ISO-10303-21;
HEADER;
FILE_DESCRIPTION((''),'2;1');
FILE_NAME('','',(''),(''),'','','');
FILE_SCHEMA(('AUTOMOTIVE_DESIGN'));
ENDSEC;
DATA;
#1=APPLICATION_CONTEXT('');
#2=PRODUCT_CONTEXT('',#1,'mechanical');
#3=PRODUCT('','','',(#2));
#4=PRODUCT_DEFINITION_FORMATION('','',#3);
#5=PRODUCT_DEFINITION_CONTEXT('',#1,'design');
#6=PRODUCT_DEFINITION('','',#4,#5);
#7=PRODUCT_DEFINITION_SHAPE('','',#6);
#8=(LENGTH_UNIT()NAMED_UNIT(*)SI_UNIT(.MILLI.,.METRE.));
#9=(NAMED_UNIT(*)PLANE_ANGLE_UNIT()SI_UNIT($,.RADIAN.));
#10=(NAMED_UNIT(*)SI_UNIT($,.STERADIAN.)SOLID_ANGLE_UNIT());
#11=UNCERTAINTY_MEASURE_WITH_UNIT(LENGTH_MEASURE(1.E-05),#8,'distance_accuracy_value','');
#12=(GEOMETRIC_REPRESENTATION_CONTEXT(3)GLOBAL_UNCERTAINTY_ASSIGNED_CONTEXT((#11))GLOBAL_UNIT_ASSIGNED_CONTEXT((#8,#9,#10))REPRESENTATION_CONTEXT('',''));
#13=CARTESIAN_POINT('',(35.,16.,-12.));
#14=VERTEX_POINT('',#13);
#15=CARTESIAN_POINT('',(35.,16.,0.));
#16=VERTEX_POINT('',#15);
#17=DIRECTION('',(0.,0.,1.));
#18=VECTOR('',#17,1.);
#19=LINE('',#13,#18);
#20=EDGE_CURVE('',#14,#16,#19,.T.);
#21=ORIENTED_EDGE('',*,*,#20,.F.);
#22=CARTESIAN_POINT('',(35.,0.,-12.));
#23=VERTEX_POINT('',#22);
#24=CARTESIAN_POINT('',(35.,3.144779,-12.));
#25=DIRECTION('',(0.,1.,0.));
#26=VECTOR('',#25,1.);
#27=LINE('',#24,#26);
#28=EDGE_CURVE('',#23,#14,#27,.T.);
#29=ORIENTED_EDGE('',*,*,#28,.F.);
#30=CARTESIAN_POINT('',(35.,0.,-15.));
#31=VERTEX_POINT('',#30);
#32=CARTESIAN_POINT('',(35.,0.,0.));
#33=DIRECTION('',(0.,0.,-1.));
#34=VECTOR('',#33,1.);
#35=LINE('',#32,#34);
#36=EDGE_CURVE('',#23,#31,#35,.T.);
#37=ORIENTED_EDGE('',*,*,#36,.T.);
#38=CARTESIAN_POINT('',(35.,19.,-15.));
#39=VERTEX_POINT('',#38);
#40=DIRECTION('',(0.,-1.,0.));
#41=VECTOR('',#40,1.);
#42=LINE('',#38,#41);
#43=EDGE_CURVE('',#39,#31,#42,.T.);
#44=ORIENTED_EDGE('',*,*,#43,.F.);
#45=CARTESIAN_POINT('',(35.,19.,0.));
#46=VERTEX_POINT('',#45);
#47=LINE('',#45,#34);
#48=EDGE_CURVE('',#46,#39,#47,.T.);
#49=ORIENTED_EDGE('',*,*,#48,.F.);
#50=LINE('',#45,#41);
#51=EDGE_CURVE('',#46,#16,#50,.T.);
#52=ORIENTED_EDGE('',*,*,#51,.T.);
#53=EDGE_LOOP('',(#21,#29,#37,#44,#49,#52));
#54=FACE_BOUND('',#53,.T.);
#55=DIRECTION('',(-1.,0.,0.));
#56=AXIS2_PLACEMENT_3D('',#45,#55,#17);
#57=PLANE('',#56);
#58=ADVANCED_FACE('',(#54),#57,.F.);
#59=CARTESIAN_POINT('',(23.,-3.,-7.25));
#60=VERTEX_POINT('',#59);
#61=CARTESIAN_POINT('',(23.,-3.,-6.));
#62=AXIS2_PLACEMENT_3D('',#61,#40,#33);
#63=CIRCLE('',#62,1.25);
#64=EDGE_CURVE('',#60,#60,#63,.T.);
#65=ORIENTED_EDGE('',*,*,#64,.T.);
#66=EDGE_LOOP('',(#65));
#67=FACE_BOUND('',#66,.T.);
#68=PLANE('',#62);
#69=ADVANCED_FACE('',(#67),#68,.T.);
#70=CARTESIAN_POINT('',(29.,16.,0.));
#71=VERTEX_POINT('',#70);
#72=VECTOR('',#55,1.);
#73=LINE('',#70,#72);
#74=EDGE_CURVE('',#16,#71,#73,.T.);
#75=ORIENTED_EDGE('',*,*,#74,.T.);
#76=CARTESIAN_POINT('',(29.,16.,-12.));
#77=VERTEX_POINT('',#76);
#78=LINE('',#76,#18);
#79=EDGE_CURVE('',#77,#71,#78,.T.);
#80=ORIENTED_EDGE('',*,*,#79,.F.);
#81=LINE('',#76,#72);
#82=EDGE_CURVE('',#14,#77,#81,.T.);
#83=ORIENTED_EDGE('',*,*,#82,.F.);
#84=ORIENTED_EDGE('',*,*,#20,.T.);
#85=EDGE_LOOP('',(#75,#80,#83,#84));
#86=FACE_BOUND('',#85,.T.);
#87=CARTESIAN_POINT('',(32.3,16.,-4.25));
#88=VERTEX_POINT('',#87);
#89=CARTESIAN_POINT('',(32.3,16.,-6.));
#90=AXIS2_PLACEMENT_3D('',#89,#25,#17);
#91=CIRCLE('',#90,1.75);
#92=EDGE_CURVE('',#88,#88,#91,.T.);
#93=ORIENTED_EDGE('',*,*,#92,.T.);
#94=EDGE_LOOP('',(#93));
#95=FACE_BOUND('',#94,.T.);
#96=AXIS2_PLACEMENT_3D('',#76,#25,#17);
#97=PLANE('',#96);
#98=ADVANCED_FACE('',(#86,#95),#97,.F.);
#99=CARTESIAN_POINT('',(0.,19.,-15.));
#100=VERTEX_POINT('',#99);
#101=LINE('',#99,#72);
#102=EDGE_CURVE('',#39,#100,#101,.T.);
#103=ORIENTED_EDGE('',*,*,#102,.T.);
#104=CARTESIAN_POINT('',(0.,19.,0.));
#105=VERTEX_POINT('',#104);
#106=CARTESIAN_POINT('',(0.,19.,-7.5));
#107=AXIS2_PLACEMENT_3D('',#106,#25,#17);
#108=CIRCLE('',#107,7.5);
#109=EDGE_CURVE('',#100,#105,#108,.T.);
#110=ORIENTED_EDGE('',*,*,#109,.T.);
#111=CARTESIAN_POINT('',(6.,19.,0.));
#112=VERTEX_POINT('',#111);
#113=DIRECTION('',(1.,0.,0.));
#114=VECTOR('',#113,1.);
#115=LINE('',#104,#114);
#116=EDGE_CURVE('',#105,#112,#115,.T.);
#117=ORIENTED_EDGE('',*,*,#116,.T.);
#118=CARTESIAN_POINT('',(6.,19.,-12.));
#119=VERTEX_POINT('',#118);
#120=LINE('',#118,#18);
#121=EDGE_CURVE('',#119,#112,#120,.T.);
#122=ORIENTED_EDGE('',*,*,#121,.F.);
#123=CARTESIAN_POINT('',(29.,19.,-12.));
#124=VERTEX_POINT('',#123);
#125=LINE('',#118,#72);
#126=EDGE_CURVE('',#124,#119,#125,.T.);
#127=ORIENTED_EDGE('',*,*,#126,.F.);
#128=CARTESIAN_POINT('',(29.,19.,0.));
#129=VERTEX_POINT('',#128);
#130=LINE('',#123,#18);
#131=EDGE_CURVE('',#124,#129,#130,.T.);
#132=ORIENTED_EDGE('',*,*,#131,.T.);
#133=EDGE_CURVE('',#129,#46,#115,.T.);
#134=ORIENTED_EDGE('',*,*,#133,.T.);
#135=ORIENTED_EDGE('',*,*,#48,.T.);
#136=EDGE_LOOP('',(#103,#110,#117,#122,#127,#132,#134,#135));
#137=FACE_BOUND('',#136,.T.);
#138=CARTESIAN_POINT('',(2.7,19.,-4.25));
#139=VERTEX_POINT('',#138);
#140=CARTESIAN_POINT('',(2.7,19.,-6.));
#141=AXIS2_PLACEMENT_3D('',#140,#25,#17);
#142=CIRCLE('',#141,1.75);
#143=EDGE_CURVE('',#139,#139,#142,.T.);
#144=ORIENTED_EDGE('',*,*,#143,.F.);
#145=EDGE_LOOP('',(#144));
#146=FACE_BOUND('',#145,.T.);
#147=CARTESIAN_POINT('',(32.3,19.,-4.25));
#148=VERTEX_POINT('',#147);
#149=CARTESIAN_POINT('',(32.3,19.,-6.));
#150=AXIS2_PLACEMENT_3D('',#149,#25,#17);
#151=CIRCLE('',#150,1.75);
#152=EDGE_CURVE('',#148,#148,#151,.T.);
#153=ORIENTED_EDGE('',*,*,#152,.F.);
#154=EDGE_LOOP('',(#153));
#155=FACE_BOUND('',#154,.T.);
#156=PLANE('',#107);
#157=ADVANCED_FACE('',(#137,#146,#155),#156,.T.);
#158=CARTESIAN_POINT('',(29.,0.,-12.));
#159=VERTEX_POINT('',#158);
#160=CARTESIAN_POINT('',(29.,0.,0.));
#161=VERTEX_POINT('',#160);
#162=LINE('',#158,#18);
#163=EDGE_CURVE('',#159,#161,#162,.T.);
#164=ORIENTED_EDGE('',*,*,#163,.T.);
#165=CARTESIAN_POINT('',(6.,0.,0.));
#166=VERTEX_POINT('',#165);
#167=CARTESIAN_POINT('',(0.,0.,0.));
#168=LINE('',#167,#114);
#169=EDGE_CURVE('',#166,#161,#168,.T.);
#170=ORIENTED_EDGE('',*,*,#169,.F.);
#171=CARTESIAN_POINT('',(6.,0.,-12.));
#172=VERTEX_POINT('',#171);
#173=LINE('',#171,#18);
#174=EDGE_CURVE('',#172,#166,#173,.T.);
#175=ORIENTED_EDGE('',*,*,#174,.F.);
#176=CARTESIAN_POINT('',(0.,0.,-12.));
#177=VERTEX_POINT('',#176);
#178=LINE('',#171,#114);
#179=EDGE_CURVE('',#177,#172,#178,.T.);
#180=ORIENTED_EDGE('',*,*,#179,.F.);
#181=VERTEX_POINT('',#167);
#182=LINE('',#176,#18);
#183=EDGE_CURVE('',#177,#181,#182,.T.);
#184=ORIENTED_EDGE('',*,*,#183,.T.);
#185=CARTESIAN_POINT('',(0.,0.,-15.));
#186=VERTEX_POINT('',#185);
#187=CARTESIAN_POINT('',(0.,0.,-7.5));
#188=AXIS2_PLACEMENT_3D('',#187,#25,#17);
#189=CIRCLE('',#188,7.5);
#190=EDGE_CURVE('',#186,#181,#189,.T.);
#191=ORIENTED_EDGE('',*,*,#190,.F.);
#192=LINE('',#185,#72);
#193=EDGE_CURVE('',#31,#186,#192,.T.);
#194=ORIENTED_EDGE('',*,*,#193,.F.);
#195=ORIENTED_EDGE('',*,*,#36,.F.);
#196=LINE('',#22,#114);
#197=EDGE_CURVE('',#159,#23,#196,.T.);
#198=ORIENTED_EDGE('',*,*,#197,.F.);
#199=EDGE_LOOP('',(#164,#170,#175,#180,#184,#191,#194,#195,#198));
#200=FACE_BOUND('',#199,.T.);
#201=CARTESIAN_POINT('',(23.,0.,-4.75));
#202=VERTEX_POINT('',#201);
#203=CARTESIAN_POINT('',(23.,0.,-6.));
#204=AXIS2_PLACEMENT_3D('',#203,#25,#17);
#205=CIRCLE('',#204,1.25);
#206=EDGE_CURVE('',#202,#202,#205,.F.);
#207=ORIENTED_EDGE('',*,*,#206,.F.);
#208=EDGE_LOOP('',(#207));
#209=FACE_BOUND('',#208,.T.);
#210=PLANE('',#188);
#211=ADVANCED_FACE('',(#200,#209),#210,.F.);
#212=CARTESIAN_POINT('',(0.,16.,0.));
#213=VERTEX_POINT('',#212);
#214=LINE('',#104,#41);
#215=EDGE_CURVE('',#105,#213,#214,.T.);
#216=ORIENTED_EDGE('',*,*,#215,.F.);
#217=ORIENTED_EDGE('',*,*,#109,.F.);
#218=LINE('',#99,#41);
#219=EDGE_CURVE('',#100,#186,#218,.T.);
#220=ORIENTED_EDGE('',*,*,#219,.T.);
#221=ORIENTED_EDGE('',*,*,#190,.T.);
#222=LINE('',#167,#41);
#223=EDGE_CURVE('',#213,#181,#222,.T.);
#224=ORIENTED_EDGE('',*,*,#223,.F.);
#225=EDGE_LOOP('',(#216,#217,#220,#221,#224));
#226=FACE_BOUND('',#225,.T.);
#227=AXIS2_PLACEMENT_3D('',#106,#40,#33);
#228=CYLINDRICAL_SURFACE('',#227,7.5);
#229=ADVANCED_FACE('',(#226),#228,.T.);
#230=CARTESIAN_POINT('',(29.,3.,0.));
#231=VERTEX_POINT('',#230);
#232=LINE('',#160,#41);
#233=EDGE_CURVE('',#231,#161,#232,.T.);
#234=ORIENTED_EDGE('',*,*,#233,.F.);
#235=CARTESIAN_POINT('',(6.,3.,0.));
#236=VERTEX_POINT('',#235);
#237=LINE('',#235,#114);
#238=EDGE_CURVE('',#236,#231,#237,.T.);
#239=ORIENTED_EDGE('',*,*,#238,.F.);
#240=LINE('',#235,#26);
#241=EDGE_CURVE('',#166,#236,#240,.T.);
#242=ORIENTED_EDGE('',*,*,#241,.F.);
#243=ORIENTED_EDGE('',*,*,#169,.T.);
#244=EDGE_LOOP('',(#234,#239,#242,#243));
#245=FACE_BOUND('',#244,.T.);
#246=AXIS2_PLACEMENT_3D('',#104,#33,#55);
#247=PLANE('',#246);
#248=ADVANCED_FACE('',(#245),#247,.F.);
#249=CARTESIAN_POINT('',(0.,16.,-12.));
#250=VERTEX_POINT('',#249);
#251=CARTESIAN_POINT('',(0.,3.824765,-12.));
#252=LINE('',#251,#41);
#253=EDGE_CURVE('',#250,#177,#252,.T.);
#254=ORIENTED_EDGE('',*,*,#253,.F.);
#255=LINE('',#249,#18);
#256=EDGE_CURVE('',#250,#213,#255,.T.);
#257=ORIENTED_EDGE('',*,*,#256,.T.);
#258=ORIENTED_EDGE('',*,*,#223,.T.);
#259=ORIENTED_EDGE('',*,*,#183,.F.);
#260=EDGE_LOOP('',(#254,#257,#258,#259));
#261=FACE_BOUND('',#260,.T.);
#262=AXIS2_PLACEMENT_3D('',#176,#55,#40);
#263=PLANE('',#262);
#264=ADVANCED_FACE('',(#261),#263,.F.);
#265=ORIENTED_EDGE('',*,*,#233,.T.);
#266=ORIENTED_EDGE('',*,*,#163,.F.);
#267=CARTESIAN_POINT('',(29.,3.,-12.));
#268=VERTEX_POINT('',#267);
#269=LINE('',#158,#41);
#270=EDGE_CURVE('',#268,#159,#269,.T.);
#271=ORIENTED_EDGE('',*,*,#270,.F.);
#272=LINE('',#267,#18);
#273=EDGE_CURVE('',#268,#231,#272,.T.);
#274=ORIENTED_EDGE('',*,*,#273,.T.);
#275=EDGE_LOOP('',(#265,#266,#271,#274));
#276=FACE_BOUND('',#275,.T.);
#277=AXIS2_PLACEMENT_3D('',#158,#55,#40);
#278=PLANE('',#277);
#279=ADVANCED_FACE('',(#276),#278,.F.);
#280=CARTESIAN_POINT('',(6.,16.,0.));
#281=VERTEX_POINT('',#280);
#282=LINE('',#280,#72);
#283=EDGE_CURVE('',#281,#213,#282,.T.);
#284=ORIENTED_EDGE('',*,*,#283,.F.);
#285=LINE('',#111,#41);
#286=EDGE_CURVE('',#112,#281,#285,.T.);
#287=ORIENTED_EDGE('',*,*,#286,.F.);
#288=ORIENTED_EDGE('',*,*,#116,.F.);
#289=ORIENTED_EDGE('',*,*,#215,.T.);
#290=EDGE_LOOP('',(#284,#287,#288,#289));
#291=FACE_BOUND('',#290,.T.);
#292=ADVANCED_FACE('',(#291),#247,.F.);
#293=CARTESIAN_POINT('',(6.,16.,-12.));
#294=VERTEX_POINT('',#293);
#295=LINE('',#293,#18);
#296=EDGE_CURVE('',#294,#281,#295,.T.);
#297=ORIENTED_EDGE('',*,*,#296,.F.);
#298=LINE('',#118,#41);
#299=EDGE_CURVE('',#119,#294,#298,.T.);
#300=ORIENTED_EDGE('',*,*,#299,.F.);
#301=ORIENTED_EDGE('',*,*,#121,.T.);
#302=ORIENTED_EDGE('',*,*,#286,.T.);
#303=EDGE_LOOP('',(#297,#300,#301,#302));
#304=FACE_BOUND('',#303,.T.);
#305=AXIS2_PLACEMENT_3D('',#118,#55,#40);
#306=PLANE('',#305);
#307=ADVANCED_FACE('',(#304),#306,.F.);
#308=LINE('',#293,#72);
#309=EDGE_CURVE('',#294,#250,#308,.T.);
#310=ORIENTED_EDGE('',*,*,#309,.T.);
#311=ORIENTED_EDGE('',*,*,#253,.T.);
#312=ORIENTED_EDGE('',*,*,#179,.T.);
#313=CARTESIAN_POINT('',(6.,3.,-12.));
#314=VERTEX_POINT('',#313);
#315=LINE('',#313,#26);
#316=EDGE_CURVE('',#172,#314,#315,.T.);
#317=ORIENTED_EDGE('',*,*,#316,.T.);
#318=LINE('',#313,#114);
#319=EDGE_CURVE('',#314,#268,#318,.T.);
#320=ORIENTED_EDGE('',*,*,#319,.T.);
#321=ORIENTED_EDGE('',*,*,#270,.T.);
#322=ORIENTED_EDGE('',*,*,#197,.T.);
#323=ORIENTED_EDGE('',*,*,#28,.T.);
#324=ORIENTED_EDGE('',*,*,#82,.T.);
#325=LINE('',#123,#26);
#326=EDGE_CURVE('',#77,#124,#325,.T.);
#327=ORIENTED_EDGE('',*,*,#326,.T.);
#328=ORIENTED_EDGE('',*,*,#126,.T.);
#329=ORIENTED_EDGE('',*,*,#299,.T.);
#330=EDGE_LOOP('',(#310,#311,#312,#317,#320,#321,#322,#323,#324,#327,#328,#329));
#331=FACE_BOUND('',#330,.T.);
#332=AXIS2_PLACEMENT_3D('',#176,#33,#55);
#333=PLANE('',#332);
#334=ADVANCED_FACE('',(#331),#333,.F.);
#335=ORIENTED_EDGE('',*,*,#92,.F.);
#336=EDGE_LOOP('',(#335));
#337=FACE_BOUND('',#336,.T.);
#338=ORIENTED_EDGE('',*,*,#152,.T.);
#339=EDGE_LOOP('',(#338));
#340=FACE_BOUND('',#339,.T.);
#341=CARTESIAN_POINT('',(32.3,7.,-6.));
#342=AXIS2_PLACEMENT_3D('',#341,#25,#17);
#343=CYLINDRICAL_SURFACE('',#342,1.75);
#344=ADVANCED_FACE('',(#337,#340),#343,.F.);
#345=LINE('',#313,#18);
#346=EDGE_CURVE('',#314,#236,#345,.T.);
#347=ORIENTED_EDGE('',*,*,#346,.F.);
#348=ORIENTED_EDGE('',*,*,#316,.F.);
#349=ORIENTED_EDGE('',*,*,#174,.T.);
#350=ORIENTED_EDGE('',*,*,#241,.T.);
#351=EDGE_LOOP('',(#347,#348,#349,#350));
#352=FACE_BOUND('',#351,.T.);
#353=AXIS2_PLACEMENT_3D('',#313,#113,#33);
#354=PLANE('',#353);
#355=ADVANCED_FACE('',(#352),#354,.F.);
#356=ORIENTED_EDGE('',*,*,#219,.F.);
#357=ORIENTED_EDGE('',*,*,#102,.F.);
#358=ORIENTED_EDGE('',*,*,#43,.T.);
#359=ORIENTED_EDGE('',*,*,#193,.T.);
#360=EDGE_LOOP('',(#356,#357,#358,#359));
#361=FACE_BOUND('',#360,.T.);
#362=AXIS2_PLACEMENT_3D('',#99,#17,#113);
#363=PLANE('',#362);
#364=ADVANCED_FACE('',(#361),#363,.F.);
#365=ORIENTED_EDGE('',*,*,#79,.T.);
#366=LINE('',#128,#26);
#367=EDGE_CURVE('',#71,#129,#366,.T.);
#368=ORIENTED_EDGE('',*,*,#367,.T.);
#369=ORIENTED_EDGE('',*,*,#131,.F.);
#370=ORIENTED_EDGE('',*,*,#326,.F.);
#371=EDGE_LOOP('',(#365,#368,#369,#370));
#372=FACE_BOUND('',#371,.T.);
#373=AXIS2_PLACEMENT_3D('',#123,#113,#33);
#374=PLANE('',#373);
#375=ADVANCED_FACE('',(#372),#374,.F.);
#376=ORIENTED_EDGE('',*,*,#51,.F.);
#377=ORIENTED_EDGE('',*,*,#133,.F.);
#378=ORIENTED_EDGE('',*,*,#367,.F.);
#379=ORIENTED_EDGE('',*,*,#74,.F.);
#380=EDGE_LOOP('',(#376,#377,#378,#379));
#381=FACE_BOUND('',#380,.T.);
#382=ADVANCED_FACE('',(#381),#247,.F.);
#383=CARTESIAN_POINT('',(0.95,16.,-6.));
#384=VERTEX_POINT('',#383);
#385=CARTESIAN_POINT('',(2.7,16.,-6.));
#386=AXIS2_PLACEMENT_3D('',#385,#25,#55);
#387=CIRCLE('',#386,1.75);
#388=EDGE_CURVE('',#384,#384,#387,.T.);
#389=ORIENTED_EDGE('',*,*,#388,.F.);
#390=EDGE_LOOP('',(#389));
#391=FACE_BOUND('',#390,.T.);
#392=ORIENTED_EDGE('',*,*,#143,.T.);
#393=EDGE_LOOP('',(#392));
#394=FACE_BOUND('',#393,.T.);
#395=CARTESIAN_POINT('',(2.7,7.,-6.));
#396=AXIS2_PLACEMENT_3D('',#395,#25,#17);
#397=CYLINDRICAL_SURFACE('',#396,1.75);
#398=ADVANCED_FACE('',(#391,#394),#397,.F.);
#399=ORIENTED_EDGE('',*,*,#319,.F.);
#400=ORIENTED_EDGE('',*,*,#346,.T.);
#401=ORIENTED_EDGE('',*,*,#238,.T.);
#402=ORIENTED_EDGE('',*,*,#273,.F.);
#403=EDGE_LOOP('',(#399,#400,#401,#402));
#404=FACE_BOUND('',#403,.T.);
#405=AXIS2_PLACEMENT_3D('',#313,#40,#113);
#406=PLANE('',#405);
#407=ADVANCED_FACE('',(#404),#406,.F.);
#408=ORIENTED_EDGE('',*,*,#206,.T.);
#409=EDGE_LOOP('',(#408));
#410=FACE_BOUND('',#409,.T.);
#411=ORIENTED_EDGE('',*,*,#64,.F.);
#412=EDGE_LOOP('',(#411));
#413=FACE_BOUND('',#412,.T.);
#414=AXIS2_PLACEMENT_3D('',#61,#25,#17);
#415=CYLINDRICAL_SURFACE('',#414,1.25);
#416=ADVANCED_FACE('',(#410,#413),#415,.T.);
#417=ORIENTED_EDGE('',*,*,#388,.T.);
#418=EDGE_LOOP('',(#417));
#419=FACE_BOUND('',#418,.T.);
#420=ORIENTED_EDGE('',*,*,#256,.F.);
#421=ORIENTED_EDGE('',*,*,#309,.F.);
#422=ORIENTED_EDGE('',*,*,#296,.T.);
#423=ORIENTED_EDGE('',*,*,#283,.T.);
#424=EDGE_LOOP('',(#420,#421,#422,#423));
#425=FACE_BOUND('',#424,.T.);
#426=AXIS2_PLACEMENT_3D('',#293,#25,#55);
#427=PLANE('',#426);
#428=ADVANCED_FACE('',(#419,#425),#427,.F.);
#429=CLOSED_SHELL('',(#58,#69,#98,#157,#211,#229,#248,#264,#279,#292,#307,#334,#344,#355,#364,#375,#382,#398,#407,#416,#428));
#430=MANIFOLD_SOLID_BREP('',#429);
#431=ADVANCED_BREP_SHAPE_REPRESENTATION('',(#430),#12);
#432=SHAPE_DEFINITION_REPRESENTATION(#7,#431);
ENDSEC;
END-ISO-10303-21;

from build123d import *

# Parameters (mm, degrees)
BOSS_EXTRU_1_DEPTH      = 19
ENL_V_MAT_EXTRU_2_DEPTH = 12
ESQUISSE4_R             = 1.75
ENL_V_MAT_EXTRU_3_DEPTH = 12
ESQUISSE5_R             = 1.25
BOSS_EXTRU_2_DEPTH      = 3


with BuildPart() as part:
    # Esquisse1 → Boss.-Extru.1 (new body)
    with BuildSketch(Plane(origin=(0, 0, 0), x_dir=(1, 0, 0), z_dir=(0, 1, 0))):
        with BuildLine():
            Line((0, 0), (35, 0))
            Line((35, 0), (35, 15))
            Line((35, 15), (0, 15))
            ThreePointArc((0, 15), (-7.5, 7.5), (0, 0))
        make_face()
    extrude(amount=BOSS_EXTRU_1_DEPTH)

    # Esquisse3 → Enlèv. mat.-Extru.2 (cut)
    with BuildSketch(Plane.XY):
        Polygon((6, 19), (29, 19), (29, 16), (35, 16), (35, 3.144779012), (35, 0), (29, 0), (29, 3), (6, 3), (6, 0), (0, 0), (0, 3.824764885), (0, 16), (6, 16), align=None)
    extrude(amount=-ENL_V_MAT_EXTRU_2_DEPTH, mode=Mode.SUBTRACT)

    # Esquisse4 → Enlèv. mat.-Extru.3 (cut)
    with BuildSketch(Plane(origin=(0, 19, 0), x_dir=(1, 0, 0), z_dir=(0, 1, 0))):
        with Locations((32.3, 6)):
            Circle(ESQUISSE4_R)
        with Locations((2.7, 6)):
            Circle(ESQUISSE4_R)
    extrude(amount=-ENL_V_MAT_EXTRU_3_DEPTH, mode=Mode.SUBTRACT)

    # Esquisse5 → Boss.-Extru.2 (add)
    with BuildSketch(Plane.XZ):
        with Locations((23, -6)):
            Circle(ESQUISSE5_R)
    extrude(amount=BOSS_EXTRU_2_DEPTH)


solid = part.part
